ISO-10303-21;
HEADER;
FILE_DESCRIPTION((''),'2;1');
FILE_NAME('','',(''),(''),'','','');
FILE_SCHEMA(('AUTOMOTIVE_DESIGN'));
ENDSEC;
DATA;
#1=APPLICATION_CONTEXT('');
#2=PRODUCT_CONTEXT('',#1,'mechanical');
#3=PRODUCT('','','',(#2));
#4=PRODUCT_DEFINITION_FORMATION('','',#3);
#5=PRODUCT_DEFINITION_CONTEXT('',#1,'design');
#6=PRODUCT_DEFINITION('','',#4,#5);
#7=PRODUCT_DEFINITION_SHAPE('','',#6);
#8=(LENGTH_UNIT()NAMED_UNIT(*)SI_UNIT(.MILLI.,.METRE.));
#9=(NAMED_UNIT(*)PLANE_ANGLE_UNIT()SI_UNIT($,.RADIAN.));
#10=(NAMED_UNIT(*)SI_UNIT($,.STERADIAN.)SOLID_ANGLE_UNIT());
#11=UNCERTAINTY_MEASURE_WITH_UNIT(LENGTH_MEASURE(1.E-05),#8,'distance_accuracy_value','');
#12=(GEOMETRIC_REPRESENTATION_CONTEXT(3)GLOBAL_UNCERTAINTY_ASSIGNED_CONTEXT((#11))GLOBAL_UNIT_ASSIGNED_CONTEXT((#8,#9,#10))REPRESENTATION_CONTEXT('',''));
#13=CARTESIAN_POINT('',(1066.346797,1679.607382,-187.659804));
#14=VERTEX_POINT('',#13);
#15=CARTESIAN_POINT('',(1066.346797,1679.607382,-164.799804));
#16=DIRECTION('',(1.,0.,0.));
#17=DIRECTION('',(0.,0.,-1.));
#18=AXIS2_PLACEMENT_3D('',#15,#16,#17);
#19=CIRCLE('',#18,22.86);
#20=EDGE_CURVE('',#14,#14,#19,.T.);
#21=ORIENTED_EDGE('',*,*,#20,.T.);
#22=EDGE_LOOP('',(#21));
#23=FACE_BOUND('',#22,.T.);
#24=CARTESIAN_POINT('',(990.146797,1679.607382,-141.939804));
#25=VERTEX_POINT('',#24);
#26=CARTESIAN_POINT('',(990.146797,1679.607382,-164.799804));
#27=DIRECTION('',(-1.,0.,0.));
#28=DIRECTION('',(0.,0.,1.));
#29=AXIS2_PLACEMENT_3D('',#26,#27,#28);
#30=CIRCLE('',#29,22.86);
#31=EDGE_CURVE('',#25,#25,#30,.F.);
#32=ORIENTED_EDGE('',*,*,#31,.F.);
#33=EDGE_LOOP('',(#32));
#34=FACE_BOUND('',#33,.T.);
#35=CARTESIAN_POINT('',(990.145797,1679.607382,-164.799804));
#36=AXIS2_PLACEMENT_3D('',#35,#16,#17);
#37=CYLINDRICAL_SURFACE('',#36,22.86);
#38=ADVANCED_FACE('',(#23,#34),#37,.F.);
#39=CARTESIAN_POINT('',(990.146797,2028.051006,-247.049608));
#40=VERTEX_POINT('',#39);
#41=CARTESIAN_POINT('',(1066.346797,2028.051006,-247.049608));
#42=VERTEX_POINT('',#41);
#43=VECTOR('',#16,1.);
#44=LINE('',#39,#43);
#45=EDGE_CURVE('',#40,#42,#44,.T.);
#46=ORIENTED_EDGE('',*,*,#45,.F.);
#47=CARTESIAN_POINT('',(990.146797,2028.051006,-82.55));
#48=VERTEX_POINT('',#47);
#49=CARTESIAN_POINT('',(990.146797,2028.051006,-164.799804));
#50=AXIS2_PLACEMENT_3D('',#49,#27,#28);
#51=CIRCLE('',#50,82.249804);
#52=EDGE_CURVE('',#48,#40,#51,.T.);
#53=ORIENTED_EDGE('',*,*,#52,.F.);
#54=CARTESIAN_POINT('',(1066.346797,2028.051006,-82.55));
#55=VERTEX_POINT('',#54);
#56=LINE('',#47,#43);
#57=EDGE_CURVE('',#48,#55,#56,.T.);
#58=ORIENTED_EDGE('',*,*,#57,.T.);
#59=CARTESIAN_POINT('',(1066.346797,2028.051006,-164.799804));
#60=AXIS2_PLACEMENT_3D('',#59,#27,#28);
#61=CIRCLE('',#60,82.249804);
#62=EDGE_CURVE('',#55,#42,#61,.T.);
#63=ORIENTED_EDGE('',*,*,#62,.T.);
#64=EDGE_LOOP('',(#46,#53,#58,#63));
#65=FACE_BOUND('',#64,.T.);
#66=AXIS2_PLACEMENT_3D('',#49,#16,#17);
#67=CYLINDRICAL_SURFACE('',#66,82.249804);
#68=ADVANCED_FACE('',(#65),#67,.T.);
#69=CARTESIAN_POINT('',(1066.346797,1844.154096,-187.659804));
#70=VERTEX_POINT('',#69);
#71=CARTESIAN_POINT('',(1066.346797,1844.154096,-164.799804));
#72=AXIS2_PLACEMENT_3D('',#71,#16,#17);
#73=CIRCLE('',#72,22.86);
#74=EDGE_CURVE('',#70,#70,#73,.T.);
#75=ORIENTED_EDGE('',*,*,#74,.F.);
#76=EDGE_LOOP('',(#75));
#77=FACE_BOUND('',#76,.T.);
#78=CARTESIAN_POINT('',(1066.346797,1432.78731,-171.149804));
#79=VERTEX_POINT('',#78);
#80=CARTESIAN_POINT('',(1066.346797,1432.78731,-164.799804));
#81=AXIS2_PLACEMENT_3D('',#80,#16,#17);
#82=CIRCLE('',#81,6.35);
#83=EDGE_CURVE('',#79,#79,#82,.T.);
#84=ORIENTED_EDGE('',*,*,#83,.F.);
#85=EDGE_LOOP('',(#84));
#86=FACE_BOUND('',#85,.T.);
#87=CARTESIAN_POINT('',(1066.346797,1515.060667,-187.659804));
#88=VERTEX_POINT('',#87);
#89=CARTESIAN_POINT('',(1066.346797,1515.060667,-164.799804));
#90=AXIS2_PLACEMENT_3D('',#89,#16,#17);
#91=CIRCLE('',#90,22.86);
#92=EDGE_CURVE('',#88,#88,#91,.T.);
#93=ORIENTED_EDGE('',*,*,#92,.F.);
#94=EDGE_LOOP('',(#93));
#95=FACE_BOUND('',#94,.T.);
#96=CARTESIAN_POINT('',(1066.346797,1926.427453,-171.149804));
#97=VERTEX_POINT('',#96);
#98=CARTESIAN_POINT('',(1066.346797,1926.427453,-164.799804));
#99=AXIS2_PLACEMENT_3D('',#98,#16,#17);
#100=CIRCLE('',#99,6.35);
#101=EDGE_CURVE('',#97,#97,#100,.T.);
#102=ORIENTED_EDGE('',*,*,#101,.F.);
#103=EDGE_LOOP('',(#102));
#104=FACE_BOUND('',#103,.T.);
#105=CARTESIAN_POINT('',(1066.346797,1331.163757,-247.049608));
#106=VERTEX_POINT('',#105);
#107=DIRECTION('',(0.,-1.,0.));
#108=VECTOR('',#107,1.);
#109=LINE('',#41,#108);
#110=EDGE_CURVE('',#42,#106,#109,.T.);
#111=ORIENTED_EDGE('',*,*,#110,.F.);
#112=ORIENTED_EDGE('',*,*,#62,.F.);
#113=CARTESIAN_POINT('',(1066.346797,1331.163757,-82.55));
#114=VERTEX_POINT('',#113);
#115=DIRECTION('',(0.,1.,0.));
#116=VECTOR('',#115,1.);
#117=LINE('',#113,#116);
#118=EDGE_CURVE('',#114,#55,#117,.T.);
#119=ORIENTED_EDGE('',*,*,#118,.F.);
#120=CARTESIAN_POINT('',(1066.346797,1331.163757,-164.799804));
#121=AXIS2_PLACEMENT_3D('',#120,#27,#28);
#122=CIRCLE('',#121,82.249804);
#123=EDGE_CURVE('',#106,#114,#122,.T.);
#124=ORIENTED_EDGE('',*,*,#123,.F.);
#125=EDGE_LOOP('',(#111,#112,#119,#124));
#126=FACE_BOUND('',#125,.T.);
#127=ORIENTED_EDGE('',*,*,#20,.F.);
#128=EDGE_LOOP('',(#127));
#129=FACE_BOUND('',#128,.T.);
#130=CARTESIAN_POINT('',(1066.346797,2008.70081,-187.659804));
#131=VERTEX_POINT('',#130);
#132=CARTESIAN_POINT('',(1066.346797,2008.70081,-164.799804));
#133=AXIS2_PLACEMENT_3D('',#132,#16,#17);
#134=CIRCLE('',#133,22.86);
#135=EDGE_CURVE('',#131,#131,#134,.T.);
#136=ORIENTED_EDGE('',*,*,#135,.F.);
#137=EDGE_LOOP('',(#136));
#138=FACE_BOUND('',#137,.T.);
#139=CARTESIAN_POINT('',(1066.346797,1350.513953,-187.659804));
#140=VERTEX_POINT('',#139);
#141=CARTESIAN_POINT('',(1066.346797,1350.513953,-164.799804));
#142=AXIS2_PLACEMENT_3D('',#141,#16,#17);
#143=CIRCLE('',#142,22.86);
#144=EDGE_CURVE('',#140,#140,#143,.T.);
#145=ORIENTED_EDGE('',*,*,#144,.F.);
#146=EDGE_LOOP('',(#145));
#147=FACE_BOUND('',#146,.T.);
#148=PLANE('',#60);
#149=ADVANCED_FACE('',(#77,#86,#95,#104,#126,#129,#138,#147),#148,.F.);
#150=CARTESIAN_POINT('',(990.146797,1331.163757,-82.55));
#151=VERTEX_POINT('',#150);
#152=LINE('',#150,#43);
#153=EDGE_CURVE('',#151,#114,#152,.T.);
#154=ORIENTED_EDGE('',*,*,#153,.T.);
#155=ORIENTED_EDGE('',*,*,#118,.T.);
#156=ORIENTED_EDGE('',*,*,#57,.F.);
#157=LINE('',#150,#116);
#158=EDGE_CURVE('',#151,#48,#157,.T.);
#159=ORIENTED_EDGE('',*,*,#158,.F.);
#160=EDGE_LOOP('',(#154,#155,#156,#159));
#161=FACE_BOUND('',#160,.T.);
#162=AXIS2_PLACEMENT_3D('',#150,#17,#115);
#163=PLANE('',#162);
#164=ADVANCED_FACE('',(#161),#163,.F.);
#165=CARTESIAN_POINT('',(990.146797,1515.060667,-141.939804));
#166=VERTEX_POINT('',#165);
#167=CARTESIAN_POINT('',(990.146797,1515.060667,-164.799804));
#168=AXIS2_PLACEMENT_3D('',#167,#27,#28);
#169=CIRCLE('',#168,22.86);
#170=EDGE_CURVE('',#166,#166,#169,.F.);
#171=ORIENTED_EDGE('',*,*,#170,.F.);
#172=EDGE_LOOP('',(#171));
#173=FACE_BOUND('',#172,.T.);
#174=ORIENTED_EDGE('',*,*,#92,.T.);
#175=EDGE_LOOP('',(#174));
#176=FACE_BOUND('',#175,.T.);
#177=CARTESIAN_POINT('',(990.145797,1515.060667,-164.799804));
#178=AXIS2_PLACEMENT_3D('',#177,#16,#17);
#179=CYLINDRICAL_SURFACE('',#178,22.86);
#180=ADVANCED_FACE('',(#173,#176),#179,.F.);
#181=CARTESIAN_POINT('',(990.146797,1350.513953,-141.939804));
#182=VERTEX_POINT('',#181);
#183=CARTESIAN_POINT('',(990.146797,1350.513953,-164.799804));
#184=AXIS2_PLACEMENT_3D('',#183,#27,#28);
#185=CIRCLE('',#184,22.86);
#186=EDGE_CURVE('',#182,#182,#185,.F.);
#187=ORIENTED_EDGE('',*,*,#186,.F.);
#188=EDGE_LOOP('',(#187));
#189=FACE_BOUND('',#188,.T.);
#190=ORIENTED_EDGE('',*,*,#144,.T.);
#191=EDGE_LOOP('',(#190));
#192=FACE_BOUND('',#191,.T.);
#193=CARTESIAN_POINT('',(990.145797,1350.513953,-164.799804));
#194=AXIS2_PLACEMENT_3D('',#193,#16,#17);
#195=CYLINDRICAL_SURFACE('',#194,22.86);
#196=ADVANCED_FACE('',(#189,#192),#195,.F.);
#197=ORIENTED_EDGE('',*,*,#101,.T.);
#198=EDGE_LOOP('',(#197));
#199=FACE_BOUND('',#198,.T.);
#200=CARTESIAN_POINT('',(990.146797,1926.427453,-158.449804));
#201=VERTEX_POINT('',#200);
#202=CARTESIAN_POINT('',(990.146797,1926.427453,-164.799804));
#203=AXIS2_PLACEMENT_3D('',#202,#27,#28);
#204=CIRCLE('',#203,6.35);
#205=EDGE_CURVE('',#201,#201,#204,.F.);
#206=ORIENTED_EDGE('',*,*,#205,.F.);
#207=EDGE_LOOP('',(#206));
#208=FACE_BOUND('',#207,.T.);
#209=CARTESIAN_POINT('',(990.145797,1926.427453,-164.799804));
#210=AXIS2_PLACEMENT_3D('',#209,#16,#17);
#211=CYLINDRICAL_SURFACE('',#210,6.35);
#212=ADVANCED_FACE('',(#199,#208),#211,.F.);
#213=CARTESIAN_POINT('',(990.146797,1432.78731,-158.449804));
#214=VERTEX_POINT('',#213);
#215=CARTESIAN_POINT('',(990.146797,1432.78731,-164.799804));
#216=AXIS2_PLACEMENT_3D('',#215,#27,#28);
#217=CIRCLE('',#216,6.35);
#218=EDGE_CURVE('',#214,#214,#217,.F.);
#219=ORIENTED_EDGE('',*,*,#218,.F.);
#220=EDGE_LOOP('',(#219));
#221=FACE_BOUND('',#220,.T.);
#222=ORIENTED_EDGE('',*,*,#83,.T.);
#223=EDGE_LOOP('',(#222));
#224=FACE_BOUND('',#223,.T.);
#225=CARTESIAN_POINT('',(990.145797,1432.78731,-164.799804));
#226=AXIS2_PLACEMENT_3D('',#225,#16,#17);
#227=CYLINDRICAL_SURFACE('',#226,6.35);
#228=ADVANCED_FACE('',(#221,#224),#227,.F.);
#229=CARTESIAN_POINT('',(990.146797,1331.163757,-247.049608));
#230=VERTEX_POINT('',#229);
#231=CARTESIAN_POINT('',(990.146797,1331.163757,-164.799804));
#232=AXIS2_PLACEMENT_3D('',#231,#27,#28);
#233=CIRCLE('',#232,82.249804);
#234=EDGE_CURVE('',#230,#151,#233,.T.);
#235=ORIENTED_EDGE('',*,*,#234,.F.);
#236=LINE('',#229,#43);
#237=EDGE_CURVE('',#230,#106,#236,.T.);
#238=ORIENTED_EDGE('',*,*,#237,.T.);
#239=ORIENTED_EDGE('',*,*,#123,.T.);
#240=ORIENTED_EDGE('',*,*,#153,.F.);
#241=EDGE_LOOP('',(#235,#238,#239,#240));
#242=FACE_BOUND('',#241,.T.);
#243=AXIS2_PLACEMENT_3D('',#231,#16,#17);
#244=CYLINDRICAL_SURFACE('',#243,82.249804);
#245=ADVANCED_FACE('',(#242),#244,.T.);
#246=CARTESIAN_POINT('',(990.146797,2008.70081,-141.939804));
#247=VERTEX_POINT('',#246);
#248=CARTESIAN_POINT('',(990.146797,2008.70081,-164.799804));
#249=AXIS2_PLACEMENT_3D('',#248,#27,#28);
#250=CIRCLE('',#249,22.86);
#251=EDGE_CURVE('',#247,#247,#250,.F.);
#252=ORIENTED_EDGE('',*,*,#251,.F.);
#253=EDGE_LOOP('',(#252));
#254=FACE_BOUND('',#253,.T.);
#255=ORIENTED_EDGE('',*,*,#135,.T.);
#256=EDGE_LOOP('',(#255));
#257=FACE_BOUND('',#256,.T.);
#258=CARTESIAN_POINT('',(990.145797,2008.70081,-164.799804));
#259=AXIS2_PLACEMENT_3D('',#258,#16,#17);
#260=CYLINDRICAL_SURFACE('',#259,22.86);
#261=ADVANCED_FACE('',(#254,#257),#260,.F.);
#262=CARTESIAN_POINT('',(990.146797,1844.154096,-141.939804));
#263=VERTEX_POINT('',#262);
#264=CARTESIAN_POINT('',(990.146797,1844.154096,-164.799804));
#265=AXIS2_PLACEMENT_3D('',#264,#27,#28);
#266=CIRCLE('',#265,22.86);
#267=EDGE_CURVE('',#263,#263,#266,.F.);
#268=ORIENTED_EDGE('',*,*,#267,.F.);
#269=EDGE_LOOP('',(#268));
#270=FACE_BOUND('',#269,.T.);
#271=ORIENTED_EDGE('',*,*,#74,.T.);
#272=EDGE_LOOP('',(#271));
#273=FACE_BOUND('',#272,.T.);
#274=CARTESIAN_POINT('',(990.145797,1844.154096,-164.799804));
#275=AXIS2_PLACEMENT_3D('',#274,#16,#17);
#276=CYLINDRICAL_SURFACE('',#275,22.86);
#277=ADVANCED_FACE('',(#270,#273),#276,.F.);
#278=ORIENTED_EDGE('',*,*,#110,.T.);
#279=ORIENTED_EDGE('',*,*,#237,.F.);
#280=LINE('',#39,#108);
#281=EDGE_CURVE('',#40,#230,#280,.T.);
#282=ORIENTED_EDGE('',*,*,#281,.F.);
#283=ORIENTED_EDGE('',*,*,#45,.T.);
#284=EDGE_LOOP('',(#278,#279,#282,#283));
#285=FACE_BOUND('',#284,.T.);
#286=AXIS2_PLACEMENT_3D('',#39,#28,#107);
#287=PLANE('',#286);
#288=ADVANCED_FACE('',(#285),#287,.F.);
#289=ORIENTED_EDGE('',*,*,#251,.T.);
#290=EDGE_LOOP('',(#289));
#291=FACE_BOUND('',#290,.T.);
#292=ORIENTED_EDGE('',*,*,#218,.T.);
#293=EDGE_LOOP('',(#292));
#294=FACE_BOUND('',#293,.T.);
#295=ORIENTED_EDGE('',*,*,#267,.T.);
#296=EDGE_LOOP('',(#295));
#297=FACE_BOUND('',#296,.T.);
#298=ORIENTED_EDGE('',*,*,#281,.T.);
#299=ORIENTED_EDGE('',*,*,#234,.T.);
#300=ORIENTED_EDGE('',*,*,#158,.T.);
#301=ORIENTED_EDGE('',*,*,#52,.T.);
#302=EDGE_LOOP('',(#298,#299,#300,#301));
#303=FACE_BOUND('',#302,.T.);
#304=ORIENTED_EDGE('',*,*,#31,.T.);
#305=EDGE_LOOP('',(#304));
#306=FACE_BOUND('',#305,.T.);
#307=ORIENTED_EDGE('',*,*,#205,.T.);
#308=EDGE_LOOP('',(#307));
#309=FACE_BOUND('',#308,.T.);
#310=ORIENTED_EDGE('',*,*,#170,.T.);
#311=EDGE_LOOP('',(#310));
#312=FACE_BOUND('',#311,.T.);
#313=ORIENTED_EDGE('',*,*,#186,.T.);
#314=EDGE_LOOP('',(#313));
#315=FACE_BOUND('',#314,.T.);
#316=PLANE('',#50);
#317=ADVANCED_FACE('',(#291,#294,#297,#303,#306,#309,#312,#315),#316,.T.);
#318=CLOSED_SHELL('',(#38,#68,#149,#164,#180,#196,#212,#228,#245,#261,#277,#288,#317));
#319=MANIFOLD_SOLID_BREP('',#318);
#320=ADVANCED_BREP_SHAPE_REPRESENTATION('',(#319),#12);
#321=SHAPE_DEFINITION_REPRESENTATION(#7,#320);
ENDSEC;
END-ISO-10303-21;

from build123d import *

# Parameters (mm, degrees)
BOSS_EXTRUDE1_DEPTH = 76.2
CUT_EXTRUDE1_REACH  = 78.2
SKETCH3_R           = 22.86
CUT_EXTRUDE2_REACH  = 78.2
SKETCH4_R           = 6.35


with BuildPart() as part:
    # Sketch2 → Boss-Extrude1 (new body)
    with BuildSketch(Plane.ZY.offset(-1066.346797213)):
        with BuildLine():
            Line((-82.55, 1331.163756946), (-82.55, 2028.051006195))
            ThreePointArc((-82.55, 2028.051006195), (-164.799803954, 2110.300810149), (-247.049607907, 2028.051006195))
            Line((-247.049607907, 2028.051006195), (-247.049607907, 1331.163756946))
            ThreePointArc((-247.049607907, 1331.163756946), (-164.799803954, 1248.913952992), (-82.55, 1331.163756946))
        make_face()
    extrude(amount=BOSS_EXTRUDE1_DEPTH)

    # Sketch3 → Cut-Extrude1 (cut, up to next)
    with BuildSketch(Plane(origin=(1066.346797213, 0, 0), x_dir=(0, 0, -1), z_dir=(1, 0, 0)), mode=Mode.PRIVATE) as cut_extrude1_sk1:
        with Locations((164.799803954, 1844.15409586)):
            Circle(SKETCH3_R)
    cut_extrude1_tool1 = extrude(cut_extrude1_sk1.sketch, amount=-CUT_EXTRUDE1_REACH, mode=Mode.PRIVATE) & part.part
    add(cut_extrude1_tool1.solids().sort_by_distance((1066.346797, 1844.154096, -164.799804))[0], mode=Mode.SUBTRACT)
    # Sketch3 → Cut-Extrude1 (cut, up to next)
    with BuildSketch(Plane(origin=(1066.346797213, 0, 0), x_dir=(0, 0, -1), z_dir=(1, 0, 0)), mode=Mode.PRIVATE) as cut_extrude1_sk2:
        with Locations((164.799803954, 1679.607381571)):
            Circle(SKETCH3_R)
    cut_extrude1_tool2 = extrude(cut_extrude1_sk2.sketch, amount=-CUT_EXTRUDE1_REACH, mode=Mode.PRIVATE) & part.part
    add(cut_extrude1_tool2.solids().sort_by_distance((1066.346797, 1679.607382, -164.799804))[0], mode=Mode.SUBTRACT)
    # Sketch3 → Cut-Extrude1 (cut, up to next)
    with BuildSketch(Plane(origin=(1066.346797213, 0, 0), x_dir=(0, 0, -1), z_dir=(1, 0, 0)), mode=Mode.PRIVATE) as cut_extrude1_sk3:
        with Locations((164.799803954, 2008.700810149)):
            Circle(SKETCH3_R)
    cut_extrude1_tool3 = extrude(cut_extrude1_sk3.sketch, amount=-CUT_EXTRUDE1_REACH, mode=Mode.PRIVATE) & part.part
    add(cut_extrude1_tool3.solids().sort_by_distance((1066.346797, 2008.70081, -164.799804))[0], mode=Mode.SUBTRACT)
    # Sketch3 → Cut-Extrude1 (cut, up to next)
    with BuildSketch(Plane(origin=(1066.346797213, 0, 0), x_dir=(0, 0, -1), z_dir=(1, 0, 0)), mode=Mode.PRIVATE) as cut_extrude1_sk4:
        with Locations((164.799803954, 1515.060667281)):
            Circle(SKETCH3_R)
    cut_extrude1_tool4 = extrude(cut_extrude1_sk4.sketch, amount=-CUT_EXTRUDE1_REACH, mode=Mode.PRIVATE) & part.part
    add(cut_extrude1_tool4.solids().sort_by_distance((1066.346797, 1515.060667, -164.799804))[0], mode=Mode.SUBTRACT)
    # Sketch3 → Cut-Extrude1 (cut, up to next)
    with BuildSketch(Plane(origin=(1066.346797213, 0, 0), x_dir=(0, 0, -1), z_dir=(1, 0, 0)), mode=Mode.PRIVATE) as cut_extrude1_sk5:
        with Locations((164.799803954, 1350.513952992)):
            Circle(SKETCH3_R)
    cut_extrude1_tool5 = extrude(cut_extrude1_sk5.sketch, amount=-CUT_EXTRUDE1_REACH, mode=Mode.PRIVATE) & part.part
    add(cut_extrude1_tool5.solids().sort_by_distance((1066.346797, 1350.513953, -164.799804))[0], mode=Mode.SUBTRACT)

    # Sketch4 → Cut-Extrude2 (cut, up to next)
    with BuildSketch(Plane(origin=(1066.346797213, 0, 0), x_dir=(0, 0, -1), z_dir=(1, 0, 0)), mode=Mode.PRIVATE) as cut_extrude2_sk1:
        with Locations((164.799803954, 1926.427453004)):
            Circle(SKETCH4_R)
    cut_extrude2_tool1 = extrude(cut_extrude2_sk1.sketch, amount=-CUT_EXTRUDE2_REACH, mode=Mode.PRIVATE) & part.part
    add(cut_extrude2_tool1.solids().sort_by_distance((1066.346797, 1926.427453, -164.799804))[0], mode=Mode.SUBTRACT)
    # Sketch4 → Cut-Extrude2 (cut, up to next)
    with BuildSketch(Plane(origin=(1066.346797213, 0, 0), x_dir=(0, 0, -1), z_dir=(1, 0, 0)), mode=Mode.PRIVATE) as cut_extrude2_sk2:
        with Locations((164.799803954, 1432.787310137)):
            Circle(SKETCH4_R)
    cut_extrude2_tool2 = extrude(cut_extrude2_sk2.sketch, amount=-CUT_EXTRUDE2_REACH, mode=Mode.PRIVATE) & part.part
    add(cut_extrude2_tool2.solids().sort_by_distance((1066.346797, 1432.78731, -164.799804))[0], mode=Mode.SUBTRACT)


solid = part.part
